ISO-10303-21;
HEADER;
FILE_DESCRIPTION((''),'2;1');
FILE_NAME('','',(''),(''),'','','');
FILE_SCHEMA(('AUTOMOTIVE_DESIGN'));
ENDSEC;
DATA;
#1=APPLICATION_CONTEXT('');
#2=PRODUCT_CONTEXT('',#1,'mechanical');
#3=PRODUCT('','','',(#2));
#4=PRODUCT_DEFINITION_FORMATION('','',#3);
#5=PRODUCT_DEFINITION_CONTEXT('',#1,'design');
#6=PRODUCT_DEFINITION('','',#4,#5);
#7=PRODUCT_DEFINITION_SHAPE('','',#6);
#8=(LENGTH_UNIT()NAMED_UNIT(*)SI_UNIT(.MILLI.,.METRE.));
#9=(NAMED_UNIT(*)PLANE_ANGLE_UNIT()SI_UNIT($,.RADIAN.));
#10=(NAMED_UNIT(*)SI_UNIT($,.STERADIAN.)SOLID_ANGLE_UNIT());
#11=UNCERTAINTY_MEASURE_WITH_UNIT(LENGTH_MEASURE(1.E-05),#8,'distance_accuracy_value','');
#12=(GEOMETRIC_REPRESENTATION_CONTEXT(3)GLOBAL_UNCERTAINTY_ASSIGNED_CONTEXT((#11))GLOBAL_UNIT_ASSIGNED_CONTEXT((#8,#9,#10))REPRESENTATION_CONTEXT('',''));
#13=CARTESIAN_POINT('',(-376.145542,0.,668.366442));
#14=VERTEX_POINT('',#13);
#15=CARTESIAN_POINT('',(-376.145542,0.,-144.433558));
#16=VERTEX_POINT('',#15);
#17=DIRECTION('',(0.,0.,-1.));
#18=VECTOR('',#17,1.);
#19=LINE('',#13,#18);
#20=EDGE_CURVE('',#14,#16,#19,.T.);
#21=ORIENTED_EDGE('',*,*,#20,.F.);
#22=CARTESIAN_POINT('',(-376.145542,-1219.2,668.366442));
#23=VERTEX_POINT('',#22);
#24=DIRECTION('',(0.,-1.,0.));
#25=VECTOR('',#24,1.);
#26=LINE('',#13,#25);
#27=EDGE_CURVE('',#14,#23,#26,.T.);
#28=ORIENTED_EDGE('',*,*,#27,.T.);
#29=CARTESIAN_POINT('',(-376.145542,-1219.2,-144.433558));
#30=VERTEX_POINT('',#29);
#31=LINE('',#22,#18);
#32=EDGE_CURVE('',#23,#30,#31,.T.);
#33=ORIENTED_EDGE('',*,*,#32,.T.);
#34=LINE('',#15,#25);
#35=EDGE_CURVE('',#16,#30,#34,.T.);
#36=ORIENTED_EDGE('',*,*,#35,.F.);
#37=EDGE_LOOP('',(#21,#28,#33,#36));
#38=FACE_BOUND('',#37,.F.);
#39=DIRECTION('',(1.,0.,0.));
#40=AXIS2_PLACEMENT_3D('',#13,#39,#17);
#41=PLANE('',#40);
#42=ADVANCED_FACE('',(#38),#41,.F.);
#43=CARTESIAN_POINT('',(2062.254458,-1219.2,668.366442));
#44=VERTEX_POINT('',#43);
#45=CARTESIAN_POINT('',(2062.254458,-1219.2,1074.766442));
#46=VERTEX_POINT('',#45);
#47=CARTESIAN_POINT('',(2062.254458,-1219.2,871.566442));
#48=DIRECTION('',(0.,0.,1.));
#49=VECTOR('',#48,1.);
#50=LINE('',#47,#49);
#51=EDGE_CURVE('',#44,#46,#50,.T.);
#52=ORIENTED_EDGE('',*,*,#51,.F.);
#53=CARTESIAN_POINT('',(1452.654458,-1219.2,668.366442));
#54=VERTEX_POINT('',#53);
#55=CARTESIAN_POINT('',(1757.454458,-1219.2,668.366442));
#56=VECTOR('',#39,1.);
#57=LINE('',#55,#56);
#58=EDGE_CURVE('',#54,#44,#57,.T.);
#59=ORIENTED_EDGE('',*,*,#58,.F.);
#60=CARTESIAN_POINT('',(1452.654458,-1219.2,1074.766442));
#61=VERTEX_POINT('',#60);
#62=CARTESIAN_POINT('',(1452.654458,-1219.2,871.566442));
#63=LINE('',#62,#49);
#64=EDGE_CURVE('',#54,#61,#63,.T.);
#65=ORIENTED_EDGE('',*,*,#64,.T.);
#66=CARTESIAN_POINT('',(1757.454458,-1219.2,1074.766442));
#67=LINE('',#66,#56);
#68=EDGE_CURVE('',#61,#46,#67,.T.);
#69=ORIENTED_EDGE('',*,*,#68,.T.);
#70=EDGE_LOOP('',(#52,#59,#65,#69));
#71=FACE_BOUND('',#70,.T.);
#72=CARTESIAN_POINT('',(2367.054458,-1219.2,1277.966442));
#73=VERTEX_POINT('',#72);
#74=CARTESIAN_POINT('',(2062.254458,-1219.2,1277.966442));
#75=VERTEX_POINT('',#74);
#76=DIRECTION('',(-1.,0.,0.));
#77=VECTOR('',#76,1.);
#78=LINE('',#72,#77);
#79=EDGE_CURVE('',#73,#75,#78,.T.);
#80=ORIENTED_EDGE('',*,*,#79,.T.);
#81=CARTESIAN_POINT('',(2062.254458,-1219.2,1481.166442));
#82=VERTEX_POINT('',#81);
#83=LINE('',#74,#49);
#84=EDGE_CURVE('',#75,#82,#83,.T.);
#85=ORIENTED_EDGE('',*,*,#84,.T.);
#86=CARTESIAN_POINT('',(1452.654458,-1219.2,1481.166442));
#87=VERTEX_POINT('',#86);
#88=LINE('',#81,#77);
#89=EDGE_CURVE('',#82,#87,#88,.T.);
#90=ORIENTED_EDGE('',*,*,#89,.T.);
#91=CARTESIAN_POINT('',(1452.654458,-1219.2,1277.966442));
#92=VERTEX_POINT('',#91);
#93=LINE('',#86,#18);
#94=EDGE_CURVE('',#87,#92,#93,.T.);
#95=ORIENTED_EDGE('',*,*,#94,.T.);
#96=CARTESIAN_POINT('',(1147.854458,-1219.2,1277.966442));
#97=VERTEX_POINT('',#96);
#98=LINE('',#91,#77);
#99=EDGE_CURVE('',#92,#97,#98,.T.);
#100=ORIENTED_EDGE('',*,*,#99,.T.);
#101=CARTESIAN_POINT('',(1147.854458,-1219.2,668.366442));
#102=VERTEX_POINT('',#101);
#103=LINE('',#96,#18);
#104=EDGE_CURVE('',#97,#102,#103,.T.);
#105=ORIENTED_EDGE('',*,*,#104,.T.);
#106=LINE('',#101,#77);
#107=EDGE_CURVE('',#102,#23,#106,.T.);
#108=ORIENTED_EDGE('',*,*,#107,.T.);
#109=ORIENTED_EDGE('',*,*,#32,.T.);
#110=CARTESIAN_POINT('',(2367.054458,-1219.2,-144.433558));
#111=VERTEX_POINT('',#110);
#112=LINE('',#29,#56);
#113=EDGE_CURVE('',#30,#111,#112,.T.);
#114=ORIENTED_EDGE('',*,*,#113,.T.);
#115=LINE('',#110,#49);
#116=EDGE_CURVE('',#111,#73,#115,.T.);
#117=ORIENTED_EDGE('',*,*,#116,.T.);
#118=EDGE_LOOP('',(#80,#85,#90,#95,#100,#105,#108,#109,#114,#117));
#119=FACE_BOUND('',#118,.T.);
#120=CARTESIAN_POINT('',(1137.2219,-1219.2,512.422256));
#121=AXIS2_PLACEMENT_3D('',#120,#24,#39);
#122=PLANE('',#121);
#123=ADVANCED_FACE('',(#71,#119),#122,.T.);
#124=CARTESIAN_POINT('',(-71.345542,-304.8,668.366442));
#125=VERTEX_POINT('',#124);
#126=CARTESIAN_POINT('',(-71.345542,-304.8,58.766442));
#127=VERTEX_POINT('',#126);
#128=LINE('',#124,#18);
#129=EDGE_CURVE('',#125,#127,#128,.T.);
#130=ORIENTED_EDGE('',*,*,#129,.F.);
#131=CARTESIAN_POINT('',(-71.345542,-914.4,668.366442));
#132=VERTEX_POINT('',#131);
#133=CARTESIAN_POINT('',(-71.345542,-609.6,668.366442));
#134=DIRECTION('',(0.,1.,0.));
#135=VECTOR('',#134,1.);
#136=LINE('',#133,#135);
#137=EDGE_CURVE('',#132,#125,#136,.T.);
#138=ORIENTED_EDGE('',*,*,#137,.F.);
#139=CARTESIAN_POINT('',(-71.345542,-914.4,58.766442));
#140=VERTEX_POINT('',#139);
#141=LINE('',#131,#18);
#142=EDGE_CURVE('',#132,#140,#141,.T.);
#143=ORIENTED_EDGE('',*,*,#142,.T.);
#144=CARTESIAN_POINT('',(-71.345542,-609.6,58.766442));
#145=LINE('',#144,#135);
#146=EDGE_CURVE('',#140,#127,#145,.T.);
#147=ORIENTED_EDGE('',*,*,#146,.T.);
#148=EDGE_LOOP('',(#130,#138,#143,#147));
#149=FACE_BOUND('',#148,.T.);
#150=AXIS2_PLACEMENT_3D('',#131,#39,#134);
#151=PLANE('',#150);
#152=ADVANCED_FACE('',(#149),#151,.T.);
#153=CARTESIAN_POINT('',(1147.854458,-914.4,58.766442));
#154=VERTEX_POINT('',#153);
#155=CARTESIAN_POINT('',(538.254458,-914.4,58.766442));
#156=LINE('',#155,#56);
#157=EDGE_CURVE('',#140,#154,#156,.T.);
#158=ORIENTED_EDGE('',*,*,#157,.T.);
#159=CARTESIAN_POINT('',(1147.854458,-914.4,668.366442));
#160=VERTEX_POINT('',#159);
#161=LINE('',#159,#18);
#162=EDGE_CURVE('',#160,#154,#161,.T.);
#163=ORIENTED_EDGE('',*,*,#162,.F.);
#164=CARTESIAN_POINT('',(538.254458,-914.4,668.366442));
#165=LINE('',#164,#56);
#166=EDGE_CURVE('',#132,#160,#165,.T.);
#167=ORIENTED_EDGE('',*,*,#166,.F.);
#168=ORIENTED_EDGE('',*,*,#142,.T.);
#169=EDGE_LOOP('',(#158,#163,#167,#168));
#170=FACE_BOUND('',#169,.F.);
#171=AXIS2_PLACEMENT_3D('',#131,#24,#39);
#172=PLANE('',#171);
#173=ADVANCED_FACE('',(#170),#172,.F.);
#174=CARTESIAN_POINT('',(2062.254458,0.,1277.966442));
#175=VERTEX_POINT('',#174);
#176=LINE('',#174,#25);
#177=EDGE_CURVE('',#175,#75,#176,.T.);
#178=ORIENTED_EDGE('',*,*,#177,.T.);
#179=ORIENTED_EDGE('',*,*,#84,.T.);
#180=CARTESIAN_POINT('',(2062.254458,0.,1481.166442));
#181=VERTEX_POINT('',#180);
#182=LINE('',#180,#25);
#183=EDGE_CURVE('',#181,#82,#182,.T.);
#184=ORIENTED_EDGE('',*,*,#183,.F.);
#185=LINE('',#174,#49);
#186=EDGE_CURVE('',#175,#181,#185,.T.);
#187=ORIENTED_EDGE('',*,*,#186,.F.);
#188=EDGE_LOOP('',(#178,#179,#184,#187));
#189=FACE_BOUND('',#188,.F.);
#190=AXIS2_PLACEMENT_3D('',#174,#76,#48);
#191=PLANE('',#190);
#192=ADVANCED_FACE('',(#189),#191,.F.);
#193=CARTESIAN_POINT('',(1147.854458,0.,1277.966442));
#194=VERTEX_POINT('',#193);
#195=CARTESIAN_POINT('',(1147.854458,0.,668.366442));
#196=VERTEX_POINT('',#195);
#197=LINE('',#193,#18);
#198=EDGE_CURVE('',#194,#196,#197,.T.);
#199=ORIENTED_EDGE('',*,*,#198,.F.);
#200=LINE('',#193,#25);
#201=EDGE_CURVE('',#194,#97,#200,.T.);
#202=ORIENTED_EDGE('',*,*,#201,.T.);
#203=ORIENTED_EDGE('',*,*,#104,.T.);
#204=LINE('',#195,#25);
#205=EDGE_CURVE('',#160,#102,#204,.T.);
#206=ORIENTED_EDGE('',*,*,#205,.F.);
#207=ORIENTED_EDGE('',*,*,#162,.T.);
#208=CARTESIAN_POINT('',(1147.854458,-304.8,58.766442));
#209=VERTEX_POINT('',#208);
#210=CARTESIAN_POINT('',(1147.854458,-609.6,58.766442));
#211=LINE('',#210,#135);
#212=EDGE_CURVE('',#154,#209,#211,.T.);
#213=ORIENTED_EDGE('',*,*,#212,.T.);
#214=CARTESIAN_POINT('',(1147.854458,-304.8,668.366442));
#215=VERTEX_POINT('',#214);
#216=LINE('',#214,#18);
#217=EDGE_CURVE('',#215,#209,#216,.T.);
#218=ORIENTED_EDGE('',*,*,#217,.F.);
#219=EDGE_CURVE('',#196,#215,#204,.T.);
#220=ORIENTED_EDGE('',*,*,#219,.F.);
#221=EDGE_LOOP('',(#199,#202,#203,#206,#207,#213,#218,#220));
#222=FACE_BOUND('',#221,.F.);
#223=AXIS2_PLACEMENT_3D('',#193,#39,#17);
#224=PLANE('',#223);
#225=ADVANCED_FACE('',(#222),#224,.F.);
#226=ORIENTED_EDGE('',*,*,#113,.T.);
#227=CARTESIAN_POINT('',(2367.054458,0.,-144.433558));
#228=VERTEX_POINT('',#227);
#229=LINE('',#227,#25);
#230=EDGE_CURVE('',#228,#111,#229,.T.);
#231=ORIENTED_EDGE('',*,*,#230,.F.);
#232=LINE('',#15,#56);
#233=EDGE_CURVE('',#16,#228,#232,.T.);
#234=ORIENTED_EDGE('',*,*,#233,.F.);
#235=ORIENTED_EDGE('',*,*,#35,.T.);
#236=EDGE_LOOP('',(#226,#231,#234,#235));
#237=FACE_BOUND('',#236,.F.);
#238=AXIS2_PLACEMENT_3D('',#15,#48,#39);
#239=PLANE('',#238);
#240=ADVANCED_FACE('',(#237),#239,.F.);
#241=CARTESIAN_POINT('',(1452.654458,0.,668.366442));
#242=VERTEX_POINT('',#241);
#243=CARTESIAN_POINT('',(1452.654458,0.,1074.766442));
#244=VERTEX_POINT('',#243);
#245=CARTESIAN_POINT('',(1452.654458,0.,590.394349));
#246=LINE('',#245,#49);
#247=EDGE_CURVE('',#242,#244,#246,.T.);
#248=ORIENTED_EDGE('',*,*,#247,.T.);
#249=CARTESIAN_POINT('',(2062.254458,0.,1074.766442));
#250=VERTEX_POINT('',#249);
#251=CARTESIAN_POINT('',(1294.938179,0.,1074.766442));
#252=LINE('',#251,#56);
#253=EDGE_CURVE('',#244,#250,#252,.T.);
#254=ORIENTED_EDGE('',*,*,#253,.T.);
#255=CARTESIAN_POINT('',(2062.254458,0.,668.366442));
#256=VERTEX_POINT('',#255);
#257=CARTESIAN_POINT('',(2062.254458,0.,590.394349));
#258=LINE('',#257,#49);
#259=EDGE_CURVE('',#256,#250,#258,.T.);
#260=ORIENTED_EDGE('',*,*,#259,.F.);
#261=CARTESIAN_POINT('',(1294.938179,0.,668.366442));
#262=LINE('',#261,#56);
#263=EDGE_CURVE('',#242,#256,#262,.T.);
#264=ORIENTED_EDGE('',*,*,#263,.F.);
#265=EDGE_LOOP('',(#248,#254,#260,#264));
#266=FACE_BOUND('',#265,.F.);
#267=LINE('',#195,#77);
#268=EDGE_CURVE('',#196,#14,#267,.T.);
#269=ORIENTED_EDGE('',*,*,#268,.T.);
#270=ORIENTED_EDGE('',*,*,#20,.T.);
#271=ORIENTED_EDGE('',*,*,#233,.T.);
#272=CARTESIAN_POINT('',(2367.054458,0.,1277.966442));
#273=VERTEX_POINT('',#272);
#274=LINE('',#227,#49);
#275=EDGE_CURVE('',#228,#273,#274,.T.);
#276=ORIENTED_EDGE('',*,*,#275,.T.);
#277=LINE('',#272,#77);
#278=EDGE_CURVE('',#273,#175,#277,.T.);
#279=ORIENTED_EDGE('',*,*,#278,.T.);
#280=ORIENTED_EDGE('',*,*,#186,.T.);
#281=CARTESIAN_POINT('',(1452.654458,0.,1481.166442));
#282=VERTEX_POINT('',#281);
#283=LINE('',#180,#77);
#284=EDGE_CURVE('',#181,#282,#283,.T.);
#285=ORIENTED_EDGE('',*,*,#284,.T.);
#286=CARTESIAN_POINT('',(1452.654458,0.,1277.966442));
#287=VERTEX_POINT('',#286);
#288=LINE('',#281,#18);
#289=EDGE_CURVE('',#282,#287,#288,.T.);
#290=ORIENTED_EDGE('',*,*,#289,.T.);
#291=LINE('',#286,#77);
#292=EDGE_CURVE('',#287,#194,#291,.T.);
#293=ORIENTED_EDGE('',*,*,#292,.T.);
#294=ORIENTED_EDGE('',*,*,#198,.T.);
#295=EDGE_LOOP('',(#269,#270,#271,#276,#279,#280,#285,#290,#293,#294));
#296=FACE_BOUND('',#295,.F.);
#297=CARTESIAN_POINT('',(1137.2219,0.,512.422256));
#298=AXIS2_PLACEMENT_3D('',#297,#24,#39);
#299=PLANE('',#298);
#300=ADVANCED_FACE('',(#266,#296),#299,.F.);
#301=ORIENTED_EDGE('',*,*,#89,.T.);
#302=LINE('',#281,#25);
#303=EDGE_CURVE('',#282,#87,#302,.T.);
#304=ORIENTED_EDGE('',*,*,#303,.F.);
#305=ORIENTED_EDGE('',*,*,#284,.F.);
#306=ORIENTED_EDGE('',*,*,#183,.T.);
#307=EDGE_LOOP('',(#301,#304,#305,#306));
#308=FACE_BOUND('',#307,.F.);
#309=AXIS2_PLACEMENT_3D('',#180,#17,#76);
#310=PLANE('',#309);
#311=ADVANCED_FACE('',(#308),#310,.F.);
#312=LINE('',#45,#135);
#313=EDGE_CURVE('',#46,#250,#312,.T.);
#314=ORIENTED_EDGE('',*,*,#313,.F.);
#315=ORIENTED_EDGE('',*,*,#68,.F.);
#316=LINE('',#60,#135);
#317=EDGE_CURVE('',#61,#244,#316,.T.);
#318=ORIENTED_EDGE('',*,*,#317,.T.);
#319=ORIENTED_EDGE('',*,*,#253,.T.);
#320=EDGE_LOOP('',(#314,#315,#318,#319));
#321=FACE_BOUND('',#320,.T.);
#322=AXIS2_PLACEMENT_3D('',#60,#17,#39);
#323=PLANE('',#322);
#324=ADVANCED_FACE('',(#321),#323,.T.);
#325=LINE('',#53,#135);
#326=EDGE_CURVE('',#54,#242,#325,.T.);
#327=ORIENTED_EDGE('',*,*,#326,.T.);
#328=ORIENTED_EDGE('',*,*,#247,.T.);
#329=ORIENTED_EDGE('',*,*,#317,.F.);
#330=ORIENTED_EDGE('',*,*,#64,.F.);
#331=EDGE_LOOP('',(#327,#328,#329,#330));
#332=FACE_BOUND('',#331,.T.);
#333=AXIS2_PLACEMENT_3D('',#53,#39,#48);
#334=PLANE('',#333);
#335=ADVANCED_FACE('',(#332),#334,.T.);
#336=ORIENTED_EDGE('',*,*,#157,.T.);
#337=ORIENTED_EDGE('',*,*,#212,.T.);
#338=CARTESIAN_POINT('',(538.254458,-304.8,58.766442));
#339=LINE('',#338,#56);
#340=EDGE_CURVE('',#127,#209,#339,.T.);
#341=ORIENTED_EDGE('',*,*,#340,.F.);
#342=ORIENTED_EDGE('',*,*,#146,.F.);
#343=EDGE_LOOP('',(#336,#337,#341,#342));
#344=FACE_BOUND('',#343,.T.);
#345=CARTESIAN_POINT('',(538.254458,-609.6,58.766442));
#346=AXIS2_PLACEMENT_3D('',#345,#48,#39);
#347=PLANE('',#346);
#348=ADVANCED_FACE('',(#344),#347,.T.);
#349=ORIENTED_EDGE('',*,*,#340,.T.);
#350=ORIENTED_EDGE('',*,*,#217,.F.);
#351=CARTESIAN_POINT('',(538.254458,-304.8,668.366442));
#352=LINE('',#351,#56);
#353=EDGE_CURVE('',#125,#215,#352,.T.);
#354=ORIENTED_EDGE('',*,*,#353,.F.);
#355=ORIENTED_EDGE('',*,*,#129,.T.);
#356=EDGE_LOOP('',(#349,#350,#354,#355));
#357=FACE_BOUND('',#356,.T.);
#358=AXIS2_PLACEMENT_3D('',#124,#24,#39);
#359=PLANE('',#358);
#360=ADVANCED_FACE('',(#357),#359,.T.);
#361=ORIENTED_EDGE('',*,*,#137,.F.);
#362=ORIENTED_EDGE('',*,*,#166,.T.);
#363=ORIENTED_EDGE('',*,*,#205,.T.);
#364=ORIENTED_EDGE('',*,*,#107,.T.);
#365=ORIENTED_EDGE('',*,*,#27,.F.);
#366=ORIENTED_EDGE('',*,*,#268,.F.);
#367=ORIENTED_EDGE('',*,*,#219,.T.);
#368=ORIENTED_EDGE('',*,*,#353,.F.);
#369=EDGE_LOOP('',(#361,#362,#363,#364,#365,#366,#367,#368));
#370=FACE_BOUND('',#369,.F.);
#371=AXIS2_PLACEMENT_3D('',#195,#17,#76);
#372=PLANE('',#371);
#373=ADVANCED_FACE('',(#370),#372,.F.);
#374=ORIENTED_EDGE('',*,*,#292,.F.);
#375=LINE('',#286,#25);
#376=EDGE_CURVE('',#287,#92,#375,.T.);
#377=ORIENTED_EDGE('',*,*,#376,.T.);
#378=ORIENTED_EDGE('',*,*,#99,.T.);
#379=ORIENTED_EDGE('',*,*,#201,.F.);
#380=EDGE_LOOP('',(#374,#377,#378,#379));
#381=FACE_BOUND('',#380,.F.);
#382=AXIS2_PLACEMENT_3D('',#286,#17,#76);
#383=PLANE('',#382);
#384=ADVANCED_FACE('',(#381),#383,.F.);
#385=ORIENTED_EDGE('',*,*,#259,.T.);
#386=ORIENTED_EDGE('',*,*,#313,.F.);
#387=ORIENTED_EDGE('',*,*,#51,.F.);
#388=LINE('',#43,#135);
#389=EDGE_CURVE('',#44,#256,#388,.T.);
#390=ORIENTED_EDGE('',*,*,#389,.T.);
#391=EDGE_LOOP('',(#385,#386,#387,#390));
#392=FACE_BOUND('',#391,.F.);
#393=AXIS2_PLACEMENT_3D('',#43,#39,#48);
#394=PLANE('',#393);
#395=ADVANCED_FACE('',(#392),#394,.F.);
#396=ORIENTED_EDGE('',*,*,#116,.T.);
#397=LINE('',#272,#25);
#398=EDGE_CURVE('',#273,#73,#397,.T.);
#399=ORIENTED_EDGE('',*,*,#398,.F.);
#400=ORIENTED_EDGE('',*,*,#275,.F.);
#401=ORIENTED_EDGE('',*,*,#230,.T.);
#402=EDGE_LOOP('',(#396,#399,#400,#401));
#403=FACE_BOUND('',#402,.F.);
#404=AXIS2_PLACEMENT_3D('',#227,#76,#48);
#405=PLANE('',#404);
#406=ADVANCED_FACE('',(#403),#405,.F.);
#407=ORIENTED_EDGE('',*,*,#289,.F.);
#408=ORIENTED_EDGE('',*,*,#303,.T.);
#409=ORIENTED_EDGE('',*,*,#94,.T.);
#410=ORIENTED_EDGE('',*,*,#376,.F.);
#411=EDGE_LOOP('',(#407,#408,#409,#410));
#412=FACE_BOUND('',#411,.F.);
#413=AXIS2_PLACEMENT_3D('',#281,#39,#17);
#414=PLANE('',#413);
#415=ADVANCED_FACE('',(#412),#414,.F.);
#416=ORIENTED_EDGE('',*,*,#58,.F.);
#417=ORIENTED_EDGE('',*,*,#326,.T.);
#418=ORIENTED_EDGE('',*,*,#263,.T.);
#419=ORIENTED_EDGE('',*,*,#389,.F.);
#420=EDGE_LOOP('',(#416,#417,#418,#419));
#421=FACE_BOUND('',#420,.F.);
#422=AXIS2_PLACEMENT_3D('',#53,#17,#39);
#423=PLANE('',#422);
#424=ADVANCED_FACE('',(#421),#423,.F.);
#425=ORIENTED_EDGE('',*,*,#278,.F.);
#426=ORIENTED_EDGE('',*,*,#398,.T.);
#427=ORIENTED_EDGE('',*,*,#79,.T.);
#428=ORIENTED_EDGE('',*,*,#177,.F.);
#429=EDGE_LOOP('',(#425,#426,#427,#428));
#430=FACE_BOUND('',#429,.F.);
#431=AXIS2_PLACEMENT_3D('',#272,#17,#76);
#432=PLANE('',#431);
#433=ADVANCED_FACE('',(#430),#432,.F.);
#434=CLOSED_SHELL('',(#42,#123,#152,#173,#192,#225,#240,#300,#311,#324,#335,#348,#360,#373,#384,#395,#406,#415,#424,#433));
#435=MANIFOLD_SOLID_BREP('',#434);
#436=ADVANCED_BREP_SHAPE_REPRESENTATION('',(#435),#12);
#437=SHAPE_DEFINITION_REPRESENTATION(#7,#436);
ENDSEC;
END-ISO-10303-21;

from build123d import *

# Parameters (mm, degrees)
F1_DEPTH = 1219.2
F2_W     = 609.6
F2_H     = 406.4
F3_DEPTH = 1219.201
F4_W     = 1219.2
F4_H     = 609.6
F5_DEPTH = 609.6


with BuildPart() as f1:
    # F0 (on Front) → F1 (new body)
    with BuildSketch(Plane.XZ):
        Polygon((-376.145542, 668.366442), (-376.145542, -144.433558), (2367.054458, -144.433558), (2367.054458, 1277.966442), (2062.254458, 1277.966442), (2062.254458, 1481.166442), (1452.654458, 1481.166442), (1452.654458, 1277.966442), (1147.854458, 1277.966442), (1147.854458, 668.366442), align=None)
    extrude(amount=F1_DEPTH)

    # F2 (on face) → F3 (cut, through all)
    with BuildSketch(Plane.XZ.offset(1219.2)):
        with Locations((1757.454458, 871.566442)):
            Rectangle(F2_W, F2_H)
    extrude(amount=-F3_DEPTH, mode=Mode.SUBTRACT)

    # F4 (on face) → F5 (cut)
    with BuildSketch(Plane.XY.offset(668.366442)):
        with Locations((538.254458, -609.6)):
            Rectangle(F4_W, F4_H)
    extrude(amount=-F5_DEPTH, mode=Mode.SUBTRACT)


solid = f1.part
